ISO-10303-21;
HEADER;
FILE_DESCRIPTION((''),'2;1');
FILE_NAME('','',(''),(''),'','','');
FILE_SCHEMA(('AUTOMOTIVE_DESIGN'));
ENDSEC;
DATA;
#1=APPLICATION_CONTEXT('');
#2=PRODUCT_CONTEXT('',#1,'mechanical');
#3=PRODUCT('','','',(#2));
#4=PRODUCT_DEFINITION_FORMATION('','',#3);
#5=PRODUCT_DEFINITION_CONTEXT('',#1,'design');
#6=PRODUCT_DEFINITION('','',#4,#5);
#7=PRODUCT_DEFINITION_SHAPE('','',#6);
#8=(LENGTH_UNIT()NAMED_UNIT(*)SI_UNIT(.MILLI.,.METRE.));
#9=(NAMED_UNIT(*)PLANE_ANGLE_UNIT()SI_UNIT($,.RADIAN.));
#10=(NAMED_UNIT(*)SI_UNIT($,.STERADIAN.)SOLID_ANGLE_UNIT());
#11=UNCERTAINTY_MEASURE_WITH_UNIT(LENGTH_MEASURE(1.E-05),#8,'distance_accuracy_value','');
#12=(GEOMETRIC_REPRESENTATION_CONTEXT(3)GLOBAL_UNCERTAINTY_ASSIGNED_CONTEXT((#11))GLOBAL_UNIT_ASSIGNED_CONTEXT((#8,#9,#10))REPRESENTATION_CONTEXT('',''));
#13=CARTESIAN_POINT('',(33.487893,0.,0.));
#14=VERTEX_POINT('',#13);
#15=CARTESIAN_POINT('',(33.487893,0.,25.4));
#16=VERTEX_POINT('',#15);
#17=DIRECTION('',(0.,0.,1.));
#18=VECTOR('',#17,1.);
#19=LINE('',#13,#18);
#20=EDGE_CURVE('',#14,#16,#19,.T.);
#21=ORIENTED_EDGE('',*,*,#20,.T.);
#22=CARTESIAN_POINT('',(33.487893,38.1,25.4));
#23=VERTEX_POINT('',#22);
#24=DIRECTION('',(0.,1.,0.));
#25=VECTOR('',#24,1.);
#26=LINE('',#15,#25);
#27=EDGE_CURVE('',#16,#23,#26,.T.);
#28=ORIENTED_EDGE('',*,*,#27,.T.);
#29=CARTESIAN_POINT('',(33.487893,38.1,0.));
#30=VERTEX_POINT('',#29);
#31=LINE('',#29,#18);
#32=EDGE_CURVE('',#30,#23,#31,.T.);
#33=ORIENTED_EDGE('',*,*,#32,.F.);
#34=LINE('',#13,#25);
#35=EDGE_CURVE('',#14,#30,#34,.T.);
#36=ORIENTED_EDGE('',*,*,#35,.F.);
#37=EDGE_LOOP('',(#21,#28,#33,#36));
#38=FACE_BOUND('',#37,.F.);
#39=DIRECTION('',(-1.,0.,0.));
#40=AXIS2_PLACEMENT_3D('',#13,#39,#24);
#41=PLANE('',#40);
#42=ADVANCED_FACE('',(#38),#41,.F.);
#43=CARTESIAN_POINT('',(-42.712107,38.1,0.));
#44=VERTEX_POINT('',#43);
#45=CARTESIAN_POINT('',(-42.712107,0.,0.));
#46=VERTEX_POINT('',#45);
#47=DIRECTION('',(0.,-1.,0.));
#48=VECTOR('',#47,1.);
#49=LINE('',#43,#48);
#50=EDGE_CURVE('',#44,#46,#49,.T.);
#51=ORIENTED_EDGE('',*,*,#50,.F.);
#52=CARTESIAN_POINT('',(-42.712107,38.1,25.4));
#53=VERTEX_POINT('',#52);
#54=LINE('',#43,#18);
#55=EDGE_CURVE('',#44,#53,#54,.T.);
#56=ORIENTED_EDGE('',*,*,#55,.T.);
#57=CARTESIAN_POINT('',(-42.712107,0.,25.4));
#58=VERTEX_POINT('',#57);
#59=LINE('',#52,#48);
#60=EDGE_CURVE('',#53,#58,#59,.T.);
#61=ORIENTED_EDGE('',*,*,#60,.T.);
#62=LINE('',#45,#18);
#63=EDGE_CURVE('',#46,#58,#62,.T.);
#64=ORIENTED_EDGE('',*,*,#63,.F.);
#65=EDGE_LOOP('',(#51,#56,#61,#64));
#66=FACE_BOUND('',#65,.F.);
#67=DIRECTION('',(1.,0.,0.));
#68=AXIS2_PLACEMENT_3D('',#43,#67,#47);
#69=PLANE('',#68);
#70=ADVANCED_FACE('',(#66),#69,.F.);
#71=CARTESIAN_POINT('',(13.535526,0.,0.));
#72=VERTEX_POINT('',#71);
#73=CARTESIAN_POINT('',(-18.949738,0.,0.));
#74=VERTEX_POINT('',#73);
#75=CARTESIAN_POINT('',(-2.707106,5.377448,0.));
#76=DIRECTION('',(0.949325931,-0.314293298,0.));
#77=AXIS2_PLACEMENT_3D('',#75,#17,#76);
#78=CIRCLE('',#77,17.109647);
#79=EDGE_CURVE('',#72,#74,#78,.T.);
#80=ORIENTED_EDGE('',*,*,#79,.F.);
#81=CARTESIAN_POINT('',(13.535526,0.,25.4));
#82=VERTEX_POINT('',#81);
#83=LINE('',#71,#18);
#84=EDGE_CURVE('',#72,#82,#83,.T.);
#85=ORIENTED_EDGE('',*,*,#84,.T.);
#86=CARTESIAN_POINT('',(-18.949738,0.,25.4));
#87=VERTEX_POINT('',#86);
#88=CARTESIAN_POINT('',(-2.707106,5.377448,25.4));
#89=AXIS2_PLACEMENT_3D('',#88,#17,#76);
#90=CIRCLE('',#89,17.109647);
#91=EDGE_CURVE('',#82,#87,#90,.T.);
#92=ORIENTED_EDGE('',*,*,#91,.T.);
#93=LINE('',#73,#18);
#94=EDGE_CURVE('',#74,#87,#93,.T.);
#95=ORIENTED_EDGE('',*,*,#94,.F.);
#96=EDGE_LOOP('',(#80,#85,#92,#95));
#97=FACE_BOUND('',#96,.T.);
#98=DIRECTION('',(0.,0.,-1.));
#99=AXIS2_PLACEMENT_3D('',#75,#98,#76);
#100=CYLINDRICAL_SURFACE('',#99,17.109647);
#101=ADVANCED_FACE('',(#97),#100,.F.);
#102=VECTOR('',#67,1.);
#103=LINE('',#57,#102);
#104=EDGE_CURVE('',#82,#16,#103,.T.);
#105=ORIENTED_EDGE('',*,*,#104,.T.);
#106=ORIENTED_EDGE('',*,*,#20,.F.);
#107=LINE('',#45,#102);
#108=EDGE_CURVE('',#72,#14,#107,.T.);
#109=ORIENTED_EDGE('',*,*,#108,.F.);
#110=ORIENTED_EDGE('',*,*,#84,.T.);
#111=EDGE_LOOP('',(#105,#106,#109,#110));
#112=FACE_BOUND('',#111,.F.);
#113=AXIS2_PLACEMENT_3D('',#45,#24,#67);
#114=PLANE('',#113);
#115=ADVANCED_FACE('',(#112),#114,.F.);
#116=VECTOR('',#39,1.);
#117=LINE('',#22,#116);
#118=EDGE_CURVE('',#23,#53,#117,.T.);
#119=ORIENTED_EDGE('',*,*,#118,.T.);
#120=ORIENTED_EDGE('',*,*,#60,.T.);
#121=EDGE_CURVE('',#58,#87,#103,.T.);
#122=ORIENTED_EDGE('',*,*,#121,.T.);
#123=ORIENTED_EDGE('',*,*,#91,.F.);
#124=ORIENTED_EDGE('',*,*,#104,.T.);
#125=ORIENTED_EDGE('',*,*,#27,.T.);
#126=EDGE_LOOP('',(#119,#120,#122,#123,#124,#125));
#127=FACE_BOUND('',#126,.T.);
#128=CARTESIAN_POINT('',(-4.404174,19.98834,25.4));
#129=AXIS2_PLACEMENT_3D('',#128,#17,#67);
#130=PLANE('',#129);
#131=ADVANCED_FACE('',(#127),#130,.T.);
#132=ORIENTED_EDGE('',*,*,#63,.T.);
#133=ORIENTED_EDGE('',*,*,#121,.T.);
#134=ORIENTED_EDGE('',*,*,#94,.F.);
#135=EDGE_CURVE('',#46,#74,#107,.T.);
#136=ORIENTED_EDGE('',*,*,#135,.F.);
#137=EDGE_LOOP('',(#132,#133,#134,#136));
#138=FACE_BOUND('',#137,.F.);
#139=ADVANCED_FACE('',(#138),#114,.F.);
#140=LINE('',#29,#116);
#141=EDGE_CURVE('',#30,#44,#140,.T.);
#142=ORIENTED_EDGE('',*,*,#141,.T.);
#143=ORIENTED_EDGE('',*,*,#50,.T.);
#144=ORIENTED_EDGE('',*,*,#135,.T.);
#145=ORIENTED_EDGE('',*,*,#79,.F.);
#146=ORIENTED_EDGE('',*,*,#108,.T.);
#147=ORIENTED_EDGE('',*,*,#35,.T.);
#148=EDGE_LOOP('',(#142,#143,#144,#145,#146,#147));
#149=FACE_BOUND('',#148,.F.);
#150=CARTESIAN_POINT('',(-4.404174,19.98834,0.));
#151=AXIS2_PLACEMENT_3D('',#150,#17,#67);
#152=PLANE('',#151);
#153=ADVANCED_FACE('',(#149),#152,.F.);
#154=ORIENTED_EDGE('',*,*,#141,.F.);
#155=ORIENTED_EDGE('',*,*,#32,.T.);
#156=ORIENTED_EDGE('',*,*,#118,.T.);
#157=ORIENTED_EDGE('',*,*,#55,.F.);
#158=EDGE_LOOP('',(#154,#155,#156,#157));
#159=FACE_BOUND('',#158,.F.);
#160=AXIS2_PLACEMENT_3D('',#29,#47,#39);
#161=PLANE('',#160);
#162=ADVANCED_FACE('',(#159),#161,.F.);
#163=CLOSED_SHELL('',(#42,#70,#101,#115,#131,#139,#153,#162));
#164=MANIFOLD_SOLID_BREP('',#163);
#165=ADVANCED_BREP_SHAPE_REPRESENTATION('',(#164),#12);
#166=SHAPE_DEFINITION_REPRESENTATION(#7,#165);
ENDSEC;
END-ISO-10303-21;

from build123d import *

# Parameters (mm, degrees)
F1_DEPTH = 25.4
F2_DEPTH = 25.4


with BuildPart() as f1:
    # F0 (on Top) → F1 (new body)
    with BuildSketch(Plane.XY):
        with BuildLine():
            Line((33.487893, 38.1), (-42.712107, 38.1))
            Line((-42.712107, 38.1), (-42.712107, 0))
            Line((-42.712107, 0), (-18.949738, 0))
            ThreePointArc((-18.949738, 0), (-2.707106, 22.487095), (13.535526, 0))
            Line((13.535526, 0), (33.487893, 0))
            Line((33.487893, 0), (33.487893, 38.1))
        make_face()
        with BuildLine():
            ThreePointArc((13.535526, 0), (-2.707106, 22.487095), (-18.949738, 0))
            Line((-18.949738, 0), (13.535526, 0))
        make_face()
    extrude(amount=F1_DEPTH)

    # F0 (on Top) → F2 (cut)
    with BuildSketch(Plane.XY):
        with BuildLine():
            ThreePointArc((13.535526, 0), (-2.707106, 22.487095), (-18.949738, 0))
            Line((-18.949738, 0), (13.535526, 0))
        make_face()
    extrude(amount=F2_DEPTH, mode=Mode.SUBTRACT)


solid = f1.part
